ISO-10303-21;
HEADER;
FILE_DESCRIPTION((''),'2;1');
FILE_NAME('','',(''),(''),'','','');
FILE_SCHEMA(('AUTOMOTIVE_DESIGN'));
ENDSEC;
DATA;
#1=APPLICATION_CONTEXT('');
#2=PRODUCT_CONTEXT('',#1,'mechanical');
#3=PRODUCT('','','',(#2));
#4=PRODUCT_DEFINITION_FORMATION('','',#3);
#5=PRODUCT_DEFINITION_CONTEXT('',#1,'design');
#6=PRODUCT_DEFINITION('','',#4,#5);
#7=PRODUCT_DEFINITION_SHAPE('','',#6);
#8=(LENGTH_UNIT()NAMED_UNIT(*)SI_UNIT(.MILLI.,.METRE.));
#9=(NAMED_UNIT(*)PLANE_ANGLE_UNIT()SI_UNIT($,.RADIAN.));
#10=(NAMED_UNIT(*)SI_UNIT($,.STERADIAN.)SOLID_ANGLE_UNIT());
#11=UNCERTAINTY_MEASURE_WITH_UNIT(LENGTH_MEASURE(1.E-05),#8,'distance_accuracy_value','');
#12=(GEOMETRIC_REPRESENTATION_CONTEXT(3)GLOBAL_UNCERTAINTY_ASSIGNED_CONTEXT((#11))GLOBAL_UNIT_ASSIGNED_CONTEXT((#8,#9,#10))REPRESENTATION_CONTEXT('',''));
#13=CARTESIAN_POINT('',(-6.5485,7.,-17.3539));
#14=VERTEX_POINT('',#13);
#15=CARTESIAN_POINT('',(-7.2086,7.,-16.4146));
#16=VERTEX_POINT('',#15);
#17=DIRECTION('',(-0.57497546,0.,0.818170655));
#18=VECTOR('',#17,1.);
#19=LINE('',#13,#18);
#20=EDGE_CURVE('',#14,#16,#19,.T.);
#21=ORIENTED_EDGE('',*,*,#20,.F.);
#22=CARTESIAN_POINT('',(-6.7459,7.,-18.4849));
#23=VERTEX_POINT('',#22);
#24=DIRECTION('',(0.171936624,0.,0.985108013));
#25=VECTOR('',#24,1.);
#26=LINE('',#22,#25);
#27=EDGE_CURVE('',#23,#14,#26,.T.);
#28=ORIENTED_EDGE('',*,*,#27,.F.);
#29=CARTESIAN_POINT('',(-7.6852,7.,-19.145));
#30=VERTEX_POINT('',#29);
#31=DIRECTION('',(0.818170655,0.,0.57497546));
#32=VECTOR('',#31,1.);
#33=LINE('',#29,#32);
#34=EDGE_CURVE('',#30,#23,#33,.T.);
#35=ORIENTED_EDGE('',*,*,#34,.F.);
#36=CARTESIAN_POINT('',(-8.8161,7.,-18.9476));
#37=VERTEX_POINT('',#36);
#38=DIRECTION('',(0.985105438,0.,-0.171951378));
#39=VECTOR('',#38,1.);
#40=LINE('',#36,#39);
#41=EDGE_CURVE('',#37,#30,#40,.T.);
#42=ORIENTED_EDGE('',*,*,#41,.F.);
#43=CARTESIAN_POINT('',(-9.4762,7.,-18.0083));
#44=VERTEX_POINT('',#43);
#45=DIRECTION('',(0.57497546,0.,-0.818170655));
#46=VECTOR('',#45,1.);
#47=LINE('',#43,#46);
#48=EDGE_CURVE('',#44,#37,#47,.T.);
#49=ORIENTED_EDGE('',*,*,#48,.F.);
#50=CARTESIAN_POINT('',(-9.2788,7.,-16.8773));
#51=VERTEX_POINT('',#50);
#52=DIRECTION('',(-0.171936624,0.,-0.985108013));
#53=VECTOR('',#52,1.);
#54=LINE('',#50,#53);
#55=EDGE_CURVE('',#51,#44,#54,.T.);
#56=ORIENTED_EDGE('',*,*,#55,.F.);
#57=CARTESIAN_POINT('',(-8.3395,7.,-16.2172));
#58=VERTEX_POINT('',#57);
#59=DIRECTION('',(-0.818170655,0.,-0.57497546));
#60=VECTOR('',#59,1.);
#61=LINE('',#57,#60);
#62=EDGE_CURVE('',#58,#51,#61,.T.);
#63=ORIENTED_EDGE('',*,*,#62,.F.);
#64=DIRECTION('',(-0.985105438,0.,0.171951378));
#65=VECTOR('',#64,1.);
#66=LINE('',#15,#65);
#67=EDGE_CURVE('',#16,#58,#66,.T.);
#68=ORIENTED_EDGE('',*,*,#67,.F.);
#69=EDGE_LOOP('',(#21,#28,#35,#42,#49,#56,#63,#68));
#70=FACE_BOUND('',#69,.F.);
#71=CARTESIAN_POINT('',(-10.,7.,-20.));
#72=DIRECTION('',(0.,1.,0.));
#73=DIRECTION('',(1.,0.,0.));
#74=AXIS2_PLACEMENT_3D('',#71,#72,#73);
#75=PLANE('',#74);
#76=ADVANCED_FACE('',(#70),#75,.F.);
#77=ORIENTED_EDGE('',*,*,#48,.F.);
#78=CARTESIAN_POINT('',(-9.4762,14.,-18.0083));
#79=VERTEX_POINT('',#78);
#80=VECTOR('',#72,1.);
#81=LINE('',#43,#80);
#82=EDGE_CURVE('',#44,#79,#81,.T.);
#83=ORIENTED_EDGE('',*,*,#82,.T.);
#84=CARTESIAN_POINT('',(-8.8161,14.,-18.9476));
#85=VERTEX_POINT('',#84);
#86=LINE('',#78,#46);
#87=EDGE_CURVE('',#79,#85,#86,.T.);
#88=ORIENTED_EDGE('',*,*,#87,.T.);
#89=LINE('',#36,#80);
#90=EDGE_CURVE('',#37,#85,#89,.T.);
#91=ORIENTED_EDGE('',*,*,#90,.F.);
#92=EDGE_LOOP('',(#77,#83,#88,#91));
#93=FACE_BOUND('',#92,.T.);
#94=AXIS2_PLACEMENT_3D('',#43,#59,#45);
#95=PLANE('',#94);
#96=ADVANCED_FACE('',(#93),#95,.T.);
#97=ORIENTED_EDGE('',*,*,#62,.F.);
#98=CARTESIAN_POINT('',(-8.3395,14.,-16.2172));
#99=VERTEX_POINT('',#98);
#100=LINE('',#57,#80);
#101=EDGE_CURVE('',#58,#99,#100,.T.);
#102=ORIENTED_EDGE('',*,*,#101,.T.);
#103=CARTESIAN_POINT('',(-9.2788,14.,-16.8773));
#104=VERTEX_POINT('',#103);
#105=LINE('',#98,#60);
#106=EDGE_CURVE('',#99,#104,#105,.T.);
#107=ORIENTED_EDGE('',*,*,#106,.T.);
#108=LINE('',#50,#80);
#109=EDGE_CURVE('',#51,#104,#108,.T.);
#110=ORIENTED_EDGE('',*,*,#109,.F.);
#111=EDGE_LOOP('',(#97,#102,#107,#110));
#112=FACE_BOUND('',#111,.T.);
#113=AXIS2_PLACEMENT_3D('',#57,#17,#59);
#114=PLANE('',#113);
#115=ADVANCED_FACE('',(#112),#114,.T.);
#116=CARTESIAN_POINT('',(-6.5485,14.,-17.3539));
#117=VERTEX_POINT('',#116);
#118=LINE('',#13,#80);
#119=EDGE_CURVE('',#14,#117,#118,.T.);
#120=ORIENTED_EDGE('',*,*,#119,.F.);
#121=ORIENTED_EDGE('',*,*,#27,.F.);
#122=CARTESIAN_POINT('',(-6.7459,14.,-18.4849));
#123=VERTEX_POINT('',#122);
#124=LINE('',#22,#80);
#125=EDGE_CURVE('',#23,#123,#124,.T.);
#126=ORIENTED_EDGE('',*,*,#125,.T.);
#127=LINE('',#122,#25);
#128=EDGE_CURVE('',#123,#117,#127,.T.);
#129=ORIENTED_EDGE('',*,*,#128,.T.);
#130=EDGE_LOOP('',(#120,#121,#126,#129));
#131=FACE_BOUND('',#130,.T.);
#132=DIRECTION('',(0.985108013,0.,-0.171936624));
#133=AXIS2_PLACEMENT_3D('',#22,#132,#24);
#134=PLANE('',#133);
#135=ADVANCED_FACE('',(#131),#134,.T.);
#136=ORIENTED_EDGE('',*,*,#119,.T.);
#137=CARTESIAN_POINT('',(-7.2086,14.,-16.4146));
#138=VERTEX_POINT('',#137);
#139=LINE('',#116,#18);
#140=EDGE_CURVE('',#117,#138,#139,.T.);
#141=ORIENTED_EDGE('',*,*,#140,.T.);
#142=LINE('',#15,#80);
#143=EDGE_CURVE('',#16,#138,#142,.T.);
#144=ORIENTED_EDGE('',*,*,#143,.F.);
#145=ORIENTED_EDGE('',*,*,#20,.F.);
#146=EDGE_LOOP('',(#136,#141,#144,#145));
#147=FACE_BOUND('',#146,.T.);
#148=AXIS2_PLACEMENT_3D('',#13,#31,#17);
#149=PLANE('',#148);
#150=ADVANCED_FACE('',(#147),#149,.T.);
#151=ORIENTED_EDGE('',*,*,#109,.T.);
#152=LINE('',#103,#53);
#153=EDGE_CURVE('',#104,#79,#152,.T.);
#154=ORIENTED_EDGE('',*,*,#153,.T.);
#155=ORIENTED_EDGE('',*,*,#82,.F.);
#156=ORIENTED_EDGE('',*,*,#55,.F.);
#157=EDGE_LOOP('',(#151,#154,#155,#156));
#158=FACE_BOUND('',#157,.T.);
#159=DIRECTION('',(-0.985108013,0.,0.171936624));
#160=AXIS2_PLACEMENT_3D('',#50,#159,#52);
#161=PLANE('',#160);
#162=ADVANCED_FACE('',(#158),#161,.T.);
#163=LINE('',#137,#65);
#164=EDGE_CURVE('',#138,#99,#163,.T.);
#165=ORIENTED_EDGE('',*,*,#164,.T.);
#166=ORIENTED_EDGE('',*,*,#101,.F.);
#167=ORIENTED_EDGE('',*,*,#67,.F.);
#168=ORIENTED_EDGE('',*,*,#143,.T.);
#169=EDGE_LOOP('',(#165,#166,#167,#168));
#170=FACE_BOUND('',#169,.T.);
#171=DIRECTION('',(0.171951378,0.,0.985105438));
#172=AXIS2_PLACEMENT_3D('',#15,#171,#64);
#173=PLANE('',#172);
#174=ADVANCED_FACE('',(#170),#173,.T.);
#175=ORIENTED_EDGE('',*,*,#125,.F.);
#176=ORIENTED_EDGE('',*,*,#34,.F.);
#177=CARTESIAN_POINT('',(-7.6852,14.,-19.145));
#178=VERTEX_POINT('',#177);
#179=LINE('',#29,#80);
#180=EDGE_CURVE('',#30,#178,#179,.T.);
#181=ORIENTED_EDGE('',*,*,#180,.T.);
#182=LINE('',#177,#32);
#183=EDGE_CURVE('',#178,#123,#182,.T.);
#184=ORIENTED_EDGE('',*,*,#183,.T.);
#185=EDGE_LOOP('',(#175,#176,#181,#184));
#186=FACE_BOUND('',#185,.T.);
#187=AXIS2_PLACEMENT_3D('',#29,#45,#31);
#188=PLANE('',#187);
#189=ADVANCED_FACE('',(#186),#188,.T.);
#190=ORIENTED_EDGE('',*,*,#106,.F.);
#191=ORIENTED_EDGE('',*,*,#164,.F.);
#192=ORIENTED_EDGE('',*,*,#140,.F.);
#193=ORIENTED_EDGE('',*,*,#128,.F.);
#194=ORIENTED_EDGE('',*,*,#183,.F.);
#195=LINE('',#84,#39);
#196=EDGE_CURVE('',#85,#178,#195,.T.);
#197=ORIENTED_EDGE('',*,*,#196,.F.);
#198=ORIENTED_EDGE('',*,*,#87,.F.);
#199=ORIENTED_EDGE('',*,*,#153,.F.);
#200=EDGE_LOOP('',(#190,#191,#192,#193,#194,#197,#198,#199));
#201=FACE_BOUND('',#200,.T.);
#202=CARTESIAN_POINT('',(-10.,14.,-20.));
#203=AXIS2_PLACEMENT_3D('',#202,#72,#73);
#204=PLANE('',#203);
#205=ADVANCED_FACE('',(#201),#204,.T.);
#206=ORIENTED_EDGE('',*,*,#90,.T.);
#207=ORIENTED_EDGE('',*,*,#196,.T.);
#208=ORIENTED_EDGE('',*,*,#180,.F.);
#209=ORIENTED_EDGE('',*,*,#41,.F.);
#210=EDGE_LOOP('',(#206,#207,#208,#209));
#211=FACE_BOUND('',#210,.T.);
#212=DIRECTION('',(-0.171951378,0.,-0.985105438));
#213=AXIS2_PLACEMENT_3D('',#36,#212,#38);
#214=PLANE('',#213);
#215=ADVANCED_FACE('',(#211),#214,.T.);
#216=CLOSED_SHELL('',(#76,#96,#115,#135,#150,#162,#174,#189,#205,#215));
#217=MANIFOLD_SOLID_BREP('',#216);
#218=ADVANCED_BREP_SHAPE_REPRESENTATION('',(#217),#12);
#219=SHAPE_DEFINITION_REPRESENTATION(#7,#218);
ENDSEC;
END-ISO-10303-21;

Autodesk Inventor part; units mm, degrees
ref_plane "YZ Plane" through (0, 0, 0) normal (1, 0, 0) x (0, 1, 0)
ref_plane "XZ Plane" through (0, 0, 0) normal (0, 1, 0) x (-1, 0, 0)
ref_plane "XY Plane" through (0, 0, 0) normal (0, 0, 1) x (1, 0, 0)
ref_plane "Work Plane1" through (-10, 7, -20) normal (0, 1, 0) x (1, 0, 0)
sketch "Sketch3" plane through (-10, 7, -20) normal (0, 1, 0) x (1, 0, 0)
  circle A0 centre (1.9876, -2.3189) radius 1.5 construction
  line L0 (1.1839, -1.0524) -> (2.3148, -0.855)
  line L1 (2.3148, -0.855) -> (3.2541, -1.5151)
  line L2 (3.2541, -1.5151) -> (3.4515, -2.6461)
  line L3 (3.4515, -2.6461) -> (2.7914, -3.5854)
  line L4 (2.7914, -3.5854) -> (1.6605, -3.7828)
  line L5 (1.6605, -3.7828) -> (0.7212, -3.1227)
  line L6 (0.7212, -3.1227) -> (0.5238, -1.9917)
  line L7 (0.5238, -1.9917) -> (1.1839, -1.0524)
  point P0 (10, -20)
extrude "Extrusion1" add sketch "Sketch3" along normal blind 7
properties part number "pin_oct_3mm"
